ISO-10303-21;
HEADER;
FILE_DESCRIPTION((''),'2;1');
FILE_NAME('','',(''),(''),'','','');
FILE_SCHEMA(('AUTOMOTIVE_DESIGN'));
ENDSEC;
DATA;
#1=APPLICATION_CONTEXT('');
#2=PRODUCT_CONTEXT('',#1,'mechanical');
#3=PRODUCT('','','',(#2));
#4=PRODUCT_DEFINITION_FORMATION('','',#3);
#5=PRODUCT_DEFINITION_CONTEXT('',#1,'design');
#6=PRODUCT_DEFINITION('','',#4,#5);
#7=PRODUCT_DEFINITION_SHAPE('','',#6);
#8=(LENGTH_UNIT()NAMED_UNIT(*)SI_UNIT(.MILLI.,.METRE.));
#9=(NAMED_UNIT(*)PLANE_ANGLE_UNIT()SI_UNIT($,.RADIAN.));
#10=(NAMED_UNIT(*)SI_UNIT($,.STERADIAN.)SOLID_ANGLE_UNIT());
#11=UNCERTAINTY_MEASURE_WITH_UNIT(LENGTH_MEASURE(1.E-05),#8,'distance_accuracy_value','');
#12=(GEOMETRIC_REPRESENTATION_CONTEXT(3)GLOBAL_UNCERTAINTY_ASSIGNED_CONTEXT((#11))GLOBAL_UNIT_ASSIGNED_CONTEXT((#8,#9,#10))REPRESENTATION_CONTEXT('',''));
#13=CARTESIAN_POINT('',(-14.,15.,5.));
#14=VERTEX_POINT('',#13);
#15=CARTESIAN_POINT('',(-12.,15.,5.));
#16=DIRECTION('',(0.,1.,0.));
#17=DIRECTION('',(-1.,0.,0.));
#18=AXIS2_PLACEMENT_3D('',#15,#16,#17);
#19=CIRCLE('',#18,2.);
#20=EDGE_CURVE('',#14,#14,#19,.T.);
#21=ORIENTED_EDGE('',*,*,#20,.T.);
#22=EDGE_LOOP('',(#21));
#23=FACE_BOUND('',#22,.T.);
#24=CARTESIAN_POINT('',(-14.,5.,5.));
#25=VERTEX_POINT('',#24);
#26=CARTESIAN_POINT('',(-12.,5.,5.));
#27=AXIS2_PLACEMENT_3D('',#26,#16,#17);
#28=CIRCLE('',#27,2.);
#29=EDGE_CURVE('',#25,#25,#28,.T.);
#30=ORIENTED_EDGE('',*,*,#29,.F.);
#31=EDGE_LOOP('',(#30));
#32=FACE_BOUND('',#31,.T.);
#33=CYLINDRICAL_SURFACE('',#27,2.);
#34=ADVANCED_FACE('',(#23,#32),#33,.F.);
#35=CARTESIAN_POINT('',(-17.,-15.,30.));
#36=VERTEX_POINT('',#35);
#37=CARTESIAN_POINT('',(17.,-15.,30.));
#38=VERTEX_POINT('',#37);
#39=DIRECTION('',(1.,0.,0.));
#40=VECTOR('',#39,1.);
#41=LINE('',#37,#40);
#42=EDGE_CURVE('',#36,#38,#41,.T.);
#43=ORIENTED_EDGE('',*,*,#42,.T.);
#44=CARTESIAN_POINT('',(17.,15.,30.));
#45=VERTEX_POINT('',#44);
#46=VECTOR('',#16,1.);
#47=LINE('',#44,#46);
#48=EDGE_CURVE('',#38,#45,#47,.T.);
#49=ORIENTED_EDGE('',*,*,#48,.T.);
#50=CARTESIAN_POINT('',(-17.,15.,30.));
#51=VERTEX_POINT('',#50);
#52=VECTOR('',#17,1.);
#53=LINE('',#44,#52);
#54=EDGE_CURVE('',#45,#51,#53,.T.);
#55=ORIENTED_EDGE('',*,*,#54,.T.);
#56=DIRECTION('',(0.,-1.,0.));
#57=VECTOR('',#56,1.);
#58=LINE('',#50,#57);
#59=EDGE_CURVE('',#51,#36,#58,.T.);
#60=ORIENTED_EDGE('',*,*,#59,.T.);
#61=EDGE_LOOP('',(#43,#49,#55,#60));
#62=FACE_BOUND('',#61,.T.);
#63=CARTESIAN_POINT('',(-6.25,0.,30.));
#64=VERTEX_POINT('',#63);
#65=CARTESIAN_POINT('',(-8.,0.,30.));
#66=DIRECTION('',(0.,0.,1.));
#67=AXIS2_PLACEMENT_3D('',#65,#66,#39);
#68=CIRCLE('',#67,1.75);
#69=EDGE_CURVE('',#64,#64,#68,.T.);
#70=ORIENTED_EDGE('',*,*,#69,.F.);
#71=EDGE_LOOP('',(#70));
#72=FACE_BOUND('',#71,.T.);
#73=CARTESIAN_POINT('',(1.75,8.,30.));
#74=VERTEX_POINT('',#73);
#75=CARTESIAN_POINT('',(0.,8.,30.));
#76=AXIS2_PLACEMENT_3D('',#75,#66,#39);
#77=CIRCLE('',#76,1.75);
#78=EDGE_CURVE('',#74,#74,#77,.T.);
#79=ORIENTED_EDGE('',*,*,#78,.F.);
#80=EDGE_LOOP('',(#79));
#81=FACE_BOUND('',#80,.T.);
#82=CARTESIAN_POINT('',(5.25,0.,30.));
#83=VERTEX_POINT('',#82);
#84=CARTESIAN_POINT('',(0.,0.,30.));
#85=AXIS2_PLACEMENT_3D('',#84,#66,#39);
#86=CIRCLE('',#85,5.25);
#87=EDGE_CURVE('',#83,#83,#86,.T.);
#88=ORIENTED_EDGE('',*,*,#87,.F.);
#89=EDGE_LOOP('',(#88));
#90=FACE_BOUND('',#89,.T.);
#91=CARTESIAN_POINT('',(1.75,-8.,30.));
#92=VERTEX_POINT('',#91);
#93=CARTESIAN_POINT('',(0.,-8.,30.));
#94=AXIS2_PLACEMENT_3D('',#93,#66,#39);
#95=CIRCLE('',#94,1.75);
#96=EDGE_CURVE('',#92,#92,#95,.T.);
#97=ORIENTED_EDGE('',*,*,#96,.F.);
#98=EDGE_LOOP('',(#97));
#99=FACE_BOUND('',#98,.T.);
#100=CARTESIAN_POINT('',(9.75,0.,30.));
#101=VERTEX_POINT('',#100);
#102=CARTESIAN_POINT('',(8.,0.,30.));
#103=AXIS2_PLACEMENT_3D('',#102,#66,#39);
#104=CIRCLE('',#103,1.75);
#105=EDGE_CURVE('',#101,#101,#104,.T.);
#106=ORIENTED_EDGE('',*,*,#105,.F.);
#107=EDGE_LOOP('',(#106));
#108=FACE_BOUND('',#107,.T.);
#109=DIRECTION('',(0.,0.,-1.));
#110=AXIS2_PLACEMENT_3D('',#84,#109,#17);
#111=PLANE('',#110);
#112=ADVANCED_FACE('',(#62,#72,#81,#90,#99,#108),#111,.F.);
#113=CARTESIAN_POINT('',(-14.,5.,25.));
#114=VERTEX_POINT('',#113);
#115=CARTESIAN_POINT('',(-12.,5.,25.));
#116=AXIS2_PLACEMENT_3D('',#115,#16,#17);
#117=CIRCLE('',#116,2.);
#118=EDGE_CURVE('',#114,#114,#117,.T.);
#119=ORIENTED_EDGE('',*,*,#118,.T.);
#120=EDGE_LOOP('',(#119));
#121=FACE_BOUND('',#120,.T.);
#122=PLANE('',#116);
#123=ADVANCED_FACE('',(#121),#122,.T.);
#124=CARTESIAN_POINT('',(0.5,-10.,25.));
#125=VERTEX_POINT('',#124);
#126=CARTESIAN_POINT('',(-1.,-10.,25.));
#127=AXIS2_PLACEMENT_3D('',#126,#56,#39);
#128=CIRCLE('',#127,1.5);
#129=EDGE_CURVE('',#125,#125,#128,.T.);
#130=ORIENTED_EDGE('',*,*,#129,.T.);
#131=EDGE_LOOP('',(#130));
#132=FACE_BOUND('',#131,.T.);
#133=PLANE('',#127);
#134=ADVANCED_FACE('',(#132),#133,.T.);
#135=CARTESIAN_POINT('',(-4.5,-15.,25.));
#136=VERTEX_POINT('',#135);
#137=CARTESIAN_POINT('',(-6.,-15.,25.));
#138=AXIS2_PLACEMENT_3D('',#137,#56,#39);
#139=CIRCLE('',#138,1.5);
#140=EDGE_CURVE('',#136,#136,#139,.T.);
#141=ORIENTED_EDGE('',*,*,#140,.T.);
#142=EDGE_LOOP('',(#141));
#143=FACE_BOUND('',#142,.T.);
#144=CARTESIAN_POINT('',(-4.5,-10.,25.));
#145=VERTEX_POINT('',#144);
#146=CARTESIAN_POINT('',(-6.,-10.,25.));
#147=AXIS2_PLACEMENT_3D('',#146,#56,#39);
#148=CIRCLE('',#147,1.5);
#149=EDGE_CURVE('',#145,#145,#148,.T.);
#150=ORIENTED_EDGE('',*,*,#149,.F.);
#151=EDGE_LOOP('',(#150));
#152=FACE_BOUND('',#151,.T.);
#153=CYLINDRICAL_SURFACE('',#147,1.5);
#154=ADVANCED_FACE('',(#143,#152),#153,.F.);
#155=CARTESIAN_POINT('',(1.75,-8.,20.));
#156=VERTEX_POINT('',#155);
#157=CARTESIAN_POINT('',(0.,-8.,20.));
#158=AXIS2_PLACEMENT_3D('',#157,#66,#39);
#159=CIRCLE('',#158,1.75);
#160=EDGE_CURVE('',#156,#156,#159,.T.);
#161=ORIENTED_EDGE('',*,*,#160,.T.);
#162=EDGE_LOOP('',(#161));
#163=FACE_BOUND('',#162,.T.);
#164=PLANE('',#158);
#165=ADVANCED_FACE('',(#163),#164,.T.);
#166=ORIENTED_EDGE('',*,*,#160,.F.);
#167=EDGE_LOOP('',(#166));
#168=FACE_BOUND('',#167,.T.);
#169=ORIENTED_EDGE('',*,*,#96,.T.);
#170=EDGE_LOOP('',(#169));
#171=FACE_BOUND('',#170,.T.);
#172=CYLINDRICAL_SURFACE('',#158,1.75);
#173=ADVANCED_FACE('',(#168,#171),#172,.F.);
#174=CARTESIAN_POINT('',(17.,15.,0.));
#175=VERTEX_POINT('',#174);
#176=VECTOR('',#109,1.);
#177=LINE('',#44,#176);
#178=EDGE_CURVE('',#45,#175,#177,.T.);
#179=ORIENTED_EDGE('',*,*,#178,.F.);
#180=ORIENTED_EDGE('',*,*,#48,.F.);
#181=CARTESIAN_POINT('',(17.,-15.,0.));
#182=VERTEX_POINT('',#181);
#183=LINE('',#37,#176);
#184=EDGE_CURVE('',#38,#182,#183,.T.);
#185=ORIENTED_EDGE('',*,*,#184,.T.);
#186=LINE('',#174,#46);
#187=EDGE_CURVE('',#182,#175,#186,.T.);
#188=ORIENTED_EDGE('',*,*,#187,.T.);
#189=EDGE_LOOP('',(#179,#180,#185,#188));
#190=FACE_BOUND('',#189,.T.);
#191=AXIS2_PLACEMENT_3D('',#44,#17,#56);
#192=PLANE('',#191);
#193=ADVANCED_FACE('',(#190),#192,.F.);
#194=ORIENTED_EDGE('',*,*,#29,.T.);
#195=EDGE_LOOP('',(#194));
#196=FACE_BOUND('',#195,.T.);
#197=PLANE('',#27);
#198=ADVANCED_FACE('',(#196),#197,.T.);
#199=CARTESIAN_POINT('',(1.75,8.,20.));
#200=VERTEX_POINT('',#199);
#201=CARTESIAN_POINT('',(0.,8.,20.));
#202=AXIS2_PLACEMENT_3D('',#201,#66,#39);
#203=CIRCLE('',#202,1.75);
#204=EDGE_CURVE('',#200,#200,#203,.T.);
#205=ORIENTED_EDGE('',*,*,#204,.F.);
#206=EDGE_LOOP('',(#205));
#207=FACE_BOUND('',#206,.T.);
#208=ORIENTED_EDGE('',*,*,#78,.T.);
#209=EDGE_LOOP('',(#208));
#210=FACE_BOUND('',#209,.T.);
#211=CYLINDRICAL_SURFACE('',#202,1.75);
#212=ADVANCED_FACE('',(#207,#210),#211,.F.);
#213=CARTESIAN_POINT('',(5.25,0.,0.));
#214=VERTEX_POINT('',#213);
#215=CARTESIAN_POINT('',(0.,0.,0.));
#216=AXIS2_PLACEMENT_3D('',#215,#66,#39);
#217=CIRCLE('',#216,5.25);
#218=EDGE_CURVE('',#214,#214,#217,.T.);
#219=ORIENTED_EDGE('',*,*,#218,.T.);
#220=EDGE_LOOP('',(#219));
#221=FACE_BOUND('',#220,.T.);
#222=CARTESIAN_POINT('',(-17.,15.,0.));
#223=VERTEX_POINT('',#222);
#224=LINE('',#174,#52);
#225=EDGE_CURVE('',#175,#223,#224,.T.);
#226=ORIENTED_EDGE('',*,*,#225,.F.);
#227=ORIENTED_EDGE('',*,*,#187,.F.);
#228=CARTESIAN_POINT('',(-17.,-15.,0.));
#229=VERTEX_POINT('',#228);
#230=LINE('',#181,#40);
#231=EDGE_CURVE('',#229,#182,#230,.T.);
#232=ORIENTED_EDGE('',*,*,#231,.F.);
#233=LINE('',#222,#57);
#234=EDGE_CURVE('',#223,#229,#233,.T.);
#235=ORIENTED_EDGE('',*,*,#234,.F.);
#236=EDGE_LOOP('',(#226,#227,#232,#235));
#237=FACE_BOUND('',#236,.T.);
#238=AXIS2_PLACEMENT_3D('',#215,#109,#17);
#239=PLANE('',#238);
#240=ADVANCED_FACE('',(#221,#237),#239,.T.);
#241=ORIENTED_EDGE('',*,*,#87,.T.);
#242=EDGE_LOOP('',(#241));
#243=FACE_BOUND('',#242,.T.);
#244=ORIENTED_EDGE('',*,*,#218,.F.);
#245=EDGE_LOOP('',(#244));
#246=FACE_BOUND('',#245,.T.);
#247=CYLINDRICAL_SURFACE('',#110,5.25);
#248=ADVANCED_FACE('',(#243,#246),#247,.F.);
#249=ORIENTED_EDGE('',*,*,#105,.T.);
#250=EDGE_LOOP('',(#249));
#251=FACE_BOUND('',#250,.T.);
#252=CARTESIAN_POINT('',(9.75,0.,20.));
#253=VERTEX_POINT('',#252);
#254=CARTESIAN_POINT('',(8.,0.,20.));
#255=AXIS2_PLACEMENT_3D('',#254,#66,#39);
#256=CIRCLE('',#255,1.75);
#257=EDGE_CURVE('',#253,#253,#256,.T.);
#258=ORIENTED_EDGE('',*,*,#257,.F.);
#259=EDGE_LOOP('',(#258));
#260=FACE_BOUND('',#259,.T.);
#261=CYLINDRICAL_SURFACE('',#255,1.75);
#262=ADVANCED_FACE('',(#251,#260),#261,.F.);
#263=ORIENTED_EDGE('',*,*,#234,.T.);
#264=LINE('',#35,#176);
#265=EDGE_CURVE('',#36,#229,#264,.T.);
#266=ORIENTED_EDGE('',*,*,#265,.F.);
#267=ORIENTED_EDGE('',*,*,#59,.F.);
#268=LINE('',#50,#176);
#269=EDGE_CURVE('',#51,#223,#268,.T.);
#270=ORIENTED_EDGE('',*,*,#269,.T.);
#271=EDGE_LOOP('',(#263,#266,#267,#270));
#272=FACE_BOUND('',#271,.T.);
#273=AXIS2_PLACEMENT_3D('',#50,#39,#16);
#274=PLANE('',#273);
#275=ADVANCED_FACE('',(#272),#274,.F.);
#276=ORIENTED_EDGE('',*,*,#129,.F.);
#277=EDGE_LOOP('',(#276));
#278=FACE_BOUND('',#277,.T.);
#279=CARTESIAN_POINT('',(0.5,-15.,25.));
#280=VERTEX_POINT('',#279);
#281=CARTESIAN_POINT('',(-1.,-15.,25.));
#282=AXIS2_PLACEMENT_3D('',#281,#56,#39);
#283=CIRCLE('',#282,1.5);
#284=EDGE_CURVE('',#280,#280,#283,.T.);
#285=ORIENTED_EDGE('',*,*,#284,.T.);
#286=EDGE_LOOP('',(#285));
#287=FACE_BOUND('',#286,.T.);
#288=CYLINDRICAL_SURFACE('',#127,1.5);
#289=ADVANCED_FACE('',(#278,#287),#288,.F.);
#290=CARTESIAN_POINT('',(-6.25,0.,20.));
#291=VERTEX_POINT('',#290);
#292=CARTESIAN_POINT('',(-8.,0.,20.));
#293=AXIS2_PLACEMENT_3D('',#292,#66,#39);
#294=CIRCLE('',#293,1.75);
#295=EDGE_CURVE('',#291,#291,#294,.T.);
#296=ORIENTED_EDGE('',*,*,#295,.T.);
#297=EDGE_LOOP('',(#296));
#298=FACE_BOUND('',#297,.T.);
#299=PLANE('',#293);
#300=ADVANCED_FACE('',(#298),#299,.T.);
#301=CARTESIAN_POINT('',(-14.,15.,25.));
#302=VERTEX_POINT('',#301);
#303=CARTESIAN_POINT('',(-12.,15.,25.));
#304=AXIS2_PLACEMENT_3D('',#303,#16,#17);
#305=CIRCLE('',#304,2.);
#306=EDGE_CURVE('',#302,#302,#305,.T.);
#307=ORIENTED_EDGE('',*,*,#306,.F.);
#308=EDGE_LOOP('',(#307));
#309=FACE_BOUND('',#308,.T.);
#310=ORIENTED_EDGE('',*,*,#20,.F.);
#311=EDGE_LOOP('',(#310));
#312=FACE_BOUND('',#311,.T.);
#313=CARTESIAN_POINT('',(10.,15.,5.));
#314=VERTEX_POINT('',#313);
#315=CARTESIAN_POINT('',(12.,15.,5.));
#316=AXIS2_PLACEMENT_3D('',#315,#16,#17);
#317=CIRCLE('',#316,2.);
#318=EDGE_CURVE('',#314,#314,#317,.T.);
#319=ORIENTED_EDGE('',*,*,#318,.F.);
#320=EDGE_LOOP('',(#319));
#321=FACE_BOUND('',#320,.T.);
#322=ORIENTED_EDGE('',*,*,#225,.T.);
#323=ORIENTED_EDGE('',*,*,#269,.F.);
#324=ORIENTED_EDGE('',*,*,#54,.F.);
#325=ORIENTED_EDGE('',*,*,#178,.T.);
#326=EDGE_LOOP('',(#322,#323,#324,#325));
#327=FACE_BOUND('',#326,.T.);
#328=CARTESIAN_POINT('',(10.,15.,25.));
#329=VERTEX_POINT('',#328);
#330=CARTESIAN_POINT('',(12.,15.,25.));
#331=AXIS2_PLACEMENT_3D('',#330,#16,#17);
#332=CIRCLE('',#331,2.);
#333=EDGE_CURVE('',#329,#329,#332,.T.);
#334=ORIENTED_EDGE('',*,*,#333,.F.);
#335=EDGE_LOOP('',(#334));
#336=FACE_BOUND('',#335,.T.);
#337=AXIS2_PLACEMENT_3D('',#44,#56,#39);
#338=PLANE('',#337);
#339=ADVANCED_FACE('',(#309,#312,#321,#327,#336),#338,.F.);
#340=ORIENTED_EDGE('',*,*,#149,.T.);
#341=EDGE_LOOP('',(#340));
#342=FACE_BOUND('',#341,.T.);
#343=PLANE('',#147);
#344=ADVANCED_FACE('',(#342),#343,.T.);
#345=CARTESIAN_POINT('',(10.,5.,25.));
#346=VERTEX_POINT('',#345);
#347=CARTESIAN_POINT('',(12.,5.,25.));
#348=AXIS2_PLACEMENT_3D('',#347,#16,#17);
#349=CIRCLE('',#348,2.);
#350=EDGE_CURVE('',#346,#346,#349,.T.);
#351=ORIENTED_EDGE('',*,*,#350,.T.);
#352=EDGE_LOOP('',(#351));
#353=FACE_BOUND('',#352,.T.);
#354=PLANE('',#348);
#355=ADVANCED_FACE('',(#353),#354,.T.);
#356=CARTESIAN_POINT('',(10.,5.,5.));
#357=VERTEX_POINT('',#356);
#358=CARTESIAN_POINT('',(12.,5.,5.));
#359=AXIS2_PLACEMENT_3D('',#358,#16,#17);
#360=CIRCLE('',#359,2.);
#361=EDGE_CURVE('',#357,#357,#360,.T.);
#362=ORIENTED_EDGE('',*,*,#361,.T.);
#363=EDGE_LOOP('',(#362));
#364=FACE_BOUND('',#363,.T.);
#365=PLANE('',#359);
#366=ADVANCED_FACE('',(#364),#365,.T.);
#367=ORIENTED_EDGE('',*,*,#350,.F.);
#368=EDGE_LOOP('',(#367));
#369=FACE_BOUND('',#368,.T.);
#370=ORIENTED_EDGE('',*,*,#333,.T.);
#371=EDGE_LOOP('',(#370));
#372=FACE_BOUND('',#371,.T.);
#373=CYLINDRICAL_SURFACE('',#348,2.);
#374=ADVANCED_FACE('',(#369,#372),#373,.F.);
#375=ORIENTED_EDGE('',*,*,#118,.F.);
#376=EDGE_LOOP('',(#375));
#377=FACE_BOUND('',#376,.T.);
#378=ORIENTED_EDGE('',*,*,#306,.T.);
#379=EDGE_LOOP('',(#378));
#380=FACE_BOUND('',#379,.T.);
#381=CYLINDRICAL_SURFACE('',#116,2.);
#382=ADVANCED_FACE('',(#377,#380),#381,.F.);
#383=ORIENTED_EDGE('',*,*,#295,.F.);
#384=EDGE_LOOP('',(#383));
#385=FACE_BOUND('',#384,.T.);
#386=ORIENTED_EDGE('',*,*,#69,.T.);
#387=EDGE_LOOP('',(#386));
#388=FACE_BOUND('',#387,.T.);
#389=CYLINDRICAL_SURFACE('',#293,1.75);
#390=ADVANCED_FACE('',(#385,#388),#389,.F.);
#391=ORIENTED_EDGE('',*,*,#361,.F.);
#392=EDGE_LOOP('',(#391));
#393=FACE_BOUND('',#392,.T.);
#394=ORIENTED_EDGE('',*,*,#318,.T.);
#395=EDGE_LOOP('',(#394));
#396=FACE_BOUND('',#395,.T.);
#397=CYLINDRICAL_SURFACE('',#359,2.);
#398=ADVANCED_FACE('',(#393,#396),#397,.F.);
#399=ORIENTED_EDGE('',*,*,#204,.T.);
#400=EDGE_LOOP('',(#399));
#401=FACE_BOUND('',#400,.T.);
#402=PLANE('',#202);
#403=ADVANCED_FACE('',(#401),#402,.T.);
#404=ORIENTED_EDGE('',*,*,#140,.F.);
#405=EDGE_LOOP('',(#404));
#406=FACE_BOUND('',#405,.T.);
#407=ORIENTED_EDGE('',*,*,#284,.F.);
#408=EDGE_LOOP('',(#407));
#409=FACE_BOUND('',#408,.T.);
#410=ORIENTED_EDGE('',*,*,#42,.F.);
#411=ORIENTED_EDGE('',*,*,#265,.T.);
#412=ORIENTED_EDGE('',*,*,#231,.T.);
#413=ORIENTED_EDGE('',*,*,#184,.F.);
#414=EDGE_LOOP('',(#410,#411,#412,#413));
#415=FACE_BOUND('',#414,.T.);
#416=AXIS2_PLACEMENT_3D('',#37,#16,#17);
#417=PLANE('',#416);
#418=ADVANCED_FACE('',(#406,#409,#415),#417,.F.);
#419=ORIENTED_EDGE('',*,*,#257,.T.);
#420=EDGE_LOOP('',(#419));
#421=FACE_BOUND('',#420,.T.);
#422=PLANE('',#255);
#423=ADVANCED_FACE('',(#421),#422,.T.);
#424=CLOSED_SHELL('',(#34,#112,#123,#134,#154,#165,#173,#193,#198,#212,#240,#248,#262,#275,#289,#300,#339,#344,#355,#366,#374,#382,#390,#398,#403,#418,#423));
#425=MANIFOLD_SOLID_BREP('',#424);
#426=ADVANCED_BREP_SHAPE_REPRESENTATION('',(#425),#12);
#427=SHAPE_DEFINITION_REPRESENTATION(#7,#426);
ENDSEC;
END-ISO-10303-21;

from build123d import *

# Parameters (mm, degrees)
SKETCH_1_W          = 34
SKETCH_1_H          = 30
SKETCH_1_R          = 5.25
EXTRUDE_1_DEPTH     = 30
SKETCH_2_R          = 1.75
CUT_EXTRUDE_1_DEPTH = 10
SKETCH_4_R          = 2
CUT_EXTRUDE_3_DEPTH = 10
SKETCH_5_R          = 1.5
CUT_EXTRUDE_4_DEPTH = 5


with BuildPart() as part:
    # 草图1 → 凸台-拉伸1 (new body)
    with BuildSketch(Plane.XY):
        Rectangle(SKETCH_1_W, SKETCH_1_H)
        Circle(SKETCH_1_R, mode=Mode.SUBTRACT)
    extrude(amount=EXTRUDE_1_DEPTH)

    # 草图2 → 切除-拉伸1 (cut)
    with BuildSketch(Plane.XY.offset(30)):
        with Locations((-8, 0)):
            Circle(SKETCH_2_R)
        with Locations((0, 8)):
            Circle(SKETCH_2_R)
        with Locations((8, 0)):
            Circle(SKETCH_2_R)
        with Locations((0, -8)):
            Circle(SKETCH_2_R)
    extrude(amount=-CUT_EXTRUDE_1_DEPTH, mode=Mode.SUBTRACT)

    # 草图4 → 切除-拉伸3 (cut)
    with BuildSketch(Plane(origin=(0, 15, 0), x_dir=(1, 0, 0), z_dir=(0, 1, 0))):
        with Locations(Location((12, -25, 0), (0, 0, 180))):
            Circle(SKETCH_4_R)
        with Locations(Location((-12, -25, 0), (0, 0, 180))):
            Circle(SKETCH_4_R)
        with Locations(Location((-12, -5, 0), (0, 0, 180))):
            Circle(SKETCH_4_R)
        with Locations(Location((12, -5, 0), (0, 0, 180))):
            Circle(SKETCH_4_R)
    extrude(amount=-CUT_EXTRUDE_3_DEPTH, mode=Mode.SUBTRACT)

    # 草图5 → 切除-拉伸4 (cut)
    with BuildSketch(Plane(origin=(0, -15, 0), x_dir=(-1, 0, 0), z_dir=(0, -1, 0))):
        with Locations(Location((1, -25, 0), (0, 0, 180))):
            Circle(SKETCH_5_R)
        with Locations(Location((6, -25, 0), (0, 0, 180))):
            Circle(SKETCH_5_R)
    extrude(amount=-CUT_EXTRUDE_4_DEPTH, mode=Mode.SUBTRACT)


solid = part.part
